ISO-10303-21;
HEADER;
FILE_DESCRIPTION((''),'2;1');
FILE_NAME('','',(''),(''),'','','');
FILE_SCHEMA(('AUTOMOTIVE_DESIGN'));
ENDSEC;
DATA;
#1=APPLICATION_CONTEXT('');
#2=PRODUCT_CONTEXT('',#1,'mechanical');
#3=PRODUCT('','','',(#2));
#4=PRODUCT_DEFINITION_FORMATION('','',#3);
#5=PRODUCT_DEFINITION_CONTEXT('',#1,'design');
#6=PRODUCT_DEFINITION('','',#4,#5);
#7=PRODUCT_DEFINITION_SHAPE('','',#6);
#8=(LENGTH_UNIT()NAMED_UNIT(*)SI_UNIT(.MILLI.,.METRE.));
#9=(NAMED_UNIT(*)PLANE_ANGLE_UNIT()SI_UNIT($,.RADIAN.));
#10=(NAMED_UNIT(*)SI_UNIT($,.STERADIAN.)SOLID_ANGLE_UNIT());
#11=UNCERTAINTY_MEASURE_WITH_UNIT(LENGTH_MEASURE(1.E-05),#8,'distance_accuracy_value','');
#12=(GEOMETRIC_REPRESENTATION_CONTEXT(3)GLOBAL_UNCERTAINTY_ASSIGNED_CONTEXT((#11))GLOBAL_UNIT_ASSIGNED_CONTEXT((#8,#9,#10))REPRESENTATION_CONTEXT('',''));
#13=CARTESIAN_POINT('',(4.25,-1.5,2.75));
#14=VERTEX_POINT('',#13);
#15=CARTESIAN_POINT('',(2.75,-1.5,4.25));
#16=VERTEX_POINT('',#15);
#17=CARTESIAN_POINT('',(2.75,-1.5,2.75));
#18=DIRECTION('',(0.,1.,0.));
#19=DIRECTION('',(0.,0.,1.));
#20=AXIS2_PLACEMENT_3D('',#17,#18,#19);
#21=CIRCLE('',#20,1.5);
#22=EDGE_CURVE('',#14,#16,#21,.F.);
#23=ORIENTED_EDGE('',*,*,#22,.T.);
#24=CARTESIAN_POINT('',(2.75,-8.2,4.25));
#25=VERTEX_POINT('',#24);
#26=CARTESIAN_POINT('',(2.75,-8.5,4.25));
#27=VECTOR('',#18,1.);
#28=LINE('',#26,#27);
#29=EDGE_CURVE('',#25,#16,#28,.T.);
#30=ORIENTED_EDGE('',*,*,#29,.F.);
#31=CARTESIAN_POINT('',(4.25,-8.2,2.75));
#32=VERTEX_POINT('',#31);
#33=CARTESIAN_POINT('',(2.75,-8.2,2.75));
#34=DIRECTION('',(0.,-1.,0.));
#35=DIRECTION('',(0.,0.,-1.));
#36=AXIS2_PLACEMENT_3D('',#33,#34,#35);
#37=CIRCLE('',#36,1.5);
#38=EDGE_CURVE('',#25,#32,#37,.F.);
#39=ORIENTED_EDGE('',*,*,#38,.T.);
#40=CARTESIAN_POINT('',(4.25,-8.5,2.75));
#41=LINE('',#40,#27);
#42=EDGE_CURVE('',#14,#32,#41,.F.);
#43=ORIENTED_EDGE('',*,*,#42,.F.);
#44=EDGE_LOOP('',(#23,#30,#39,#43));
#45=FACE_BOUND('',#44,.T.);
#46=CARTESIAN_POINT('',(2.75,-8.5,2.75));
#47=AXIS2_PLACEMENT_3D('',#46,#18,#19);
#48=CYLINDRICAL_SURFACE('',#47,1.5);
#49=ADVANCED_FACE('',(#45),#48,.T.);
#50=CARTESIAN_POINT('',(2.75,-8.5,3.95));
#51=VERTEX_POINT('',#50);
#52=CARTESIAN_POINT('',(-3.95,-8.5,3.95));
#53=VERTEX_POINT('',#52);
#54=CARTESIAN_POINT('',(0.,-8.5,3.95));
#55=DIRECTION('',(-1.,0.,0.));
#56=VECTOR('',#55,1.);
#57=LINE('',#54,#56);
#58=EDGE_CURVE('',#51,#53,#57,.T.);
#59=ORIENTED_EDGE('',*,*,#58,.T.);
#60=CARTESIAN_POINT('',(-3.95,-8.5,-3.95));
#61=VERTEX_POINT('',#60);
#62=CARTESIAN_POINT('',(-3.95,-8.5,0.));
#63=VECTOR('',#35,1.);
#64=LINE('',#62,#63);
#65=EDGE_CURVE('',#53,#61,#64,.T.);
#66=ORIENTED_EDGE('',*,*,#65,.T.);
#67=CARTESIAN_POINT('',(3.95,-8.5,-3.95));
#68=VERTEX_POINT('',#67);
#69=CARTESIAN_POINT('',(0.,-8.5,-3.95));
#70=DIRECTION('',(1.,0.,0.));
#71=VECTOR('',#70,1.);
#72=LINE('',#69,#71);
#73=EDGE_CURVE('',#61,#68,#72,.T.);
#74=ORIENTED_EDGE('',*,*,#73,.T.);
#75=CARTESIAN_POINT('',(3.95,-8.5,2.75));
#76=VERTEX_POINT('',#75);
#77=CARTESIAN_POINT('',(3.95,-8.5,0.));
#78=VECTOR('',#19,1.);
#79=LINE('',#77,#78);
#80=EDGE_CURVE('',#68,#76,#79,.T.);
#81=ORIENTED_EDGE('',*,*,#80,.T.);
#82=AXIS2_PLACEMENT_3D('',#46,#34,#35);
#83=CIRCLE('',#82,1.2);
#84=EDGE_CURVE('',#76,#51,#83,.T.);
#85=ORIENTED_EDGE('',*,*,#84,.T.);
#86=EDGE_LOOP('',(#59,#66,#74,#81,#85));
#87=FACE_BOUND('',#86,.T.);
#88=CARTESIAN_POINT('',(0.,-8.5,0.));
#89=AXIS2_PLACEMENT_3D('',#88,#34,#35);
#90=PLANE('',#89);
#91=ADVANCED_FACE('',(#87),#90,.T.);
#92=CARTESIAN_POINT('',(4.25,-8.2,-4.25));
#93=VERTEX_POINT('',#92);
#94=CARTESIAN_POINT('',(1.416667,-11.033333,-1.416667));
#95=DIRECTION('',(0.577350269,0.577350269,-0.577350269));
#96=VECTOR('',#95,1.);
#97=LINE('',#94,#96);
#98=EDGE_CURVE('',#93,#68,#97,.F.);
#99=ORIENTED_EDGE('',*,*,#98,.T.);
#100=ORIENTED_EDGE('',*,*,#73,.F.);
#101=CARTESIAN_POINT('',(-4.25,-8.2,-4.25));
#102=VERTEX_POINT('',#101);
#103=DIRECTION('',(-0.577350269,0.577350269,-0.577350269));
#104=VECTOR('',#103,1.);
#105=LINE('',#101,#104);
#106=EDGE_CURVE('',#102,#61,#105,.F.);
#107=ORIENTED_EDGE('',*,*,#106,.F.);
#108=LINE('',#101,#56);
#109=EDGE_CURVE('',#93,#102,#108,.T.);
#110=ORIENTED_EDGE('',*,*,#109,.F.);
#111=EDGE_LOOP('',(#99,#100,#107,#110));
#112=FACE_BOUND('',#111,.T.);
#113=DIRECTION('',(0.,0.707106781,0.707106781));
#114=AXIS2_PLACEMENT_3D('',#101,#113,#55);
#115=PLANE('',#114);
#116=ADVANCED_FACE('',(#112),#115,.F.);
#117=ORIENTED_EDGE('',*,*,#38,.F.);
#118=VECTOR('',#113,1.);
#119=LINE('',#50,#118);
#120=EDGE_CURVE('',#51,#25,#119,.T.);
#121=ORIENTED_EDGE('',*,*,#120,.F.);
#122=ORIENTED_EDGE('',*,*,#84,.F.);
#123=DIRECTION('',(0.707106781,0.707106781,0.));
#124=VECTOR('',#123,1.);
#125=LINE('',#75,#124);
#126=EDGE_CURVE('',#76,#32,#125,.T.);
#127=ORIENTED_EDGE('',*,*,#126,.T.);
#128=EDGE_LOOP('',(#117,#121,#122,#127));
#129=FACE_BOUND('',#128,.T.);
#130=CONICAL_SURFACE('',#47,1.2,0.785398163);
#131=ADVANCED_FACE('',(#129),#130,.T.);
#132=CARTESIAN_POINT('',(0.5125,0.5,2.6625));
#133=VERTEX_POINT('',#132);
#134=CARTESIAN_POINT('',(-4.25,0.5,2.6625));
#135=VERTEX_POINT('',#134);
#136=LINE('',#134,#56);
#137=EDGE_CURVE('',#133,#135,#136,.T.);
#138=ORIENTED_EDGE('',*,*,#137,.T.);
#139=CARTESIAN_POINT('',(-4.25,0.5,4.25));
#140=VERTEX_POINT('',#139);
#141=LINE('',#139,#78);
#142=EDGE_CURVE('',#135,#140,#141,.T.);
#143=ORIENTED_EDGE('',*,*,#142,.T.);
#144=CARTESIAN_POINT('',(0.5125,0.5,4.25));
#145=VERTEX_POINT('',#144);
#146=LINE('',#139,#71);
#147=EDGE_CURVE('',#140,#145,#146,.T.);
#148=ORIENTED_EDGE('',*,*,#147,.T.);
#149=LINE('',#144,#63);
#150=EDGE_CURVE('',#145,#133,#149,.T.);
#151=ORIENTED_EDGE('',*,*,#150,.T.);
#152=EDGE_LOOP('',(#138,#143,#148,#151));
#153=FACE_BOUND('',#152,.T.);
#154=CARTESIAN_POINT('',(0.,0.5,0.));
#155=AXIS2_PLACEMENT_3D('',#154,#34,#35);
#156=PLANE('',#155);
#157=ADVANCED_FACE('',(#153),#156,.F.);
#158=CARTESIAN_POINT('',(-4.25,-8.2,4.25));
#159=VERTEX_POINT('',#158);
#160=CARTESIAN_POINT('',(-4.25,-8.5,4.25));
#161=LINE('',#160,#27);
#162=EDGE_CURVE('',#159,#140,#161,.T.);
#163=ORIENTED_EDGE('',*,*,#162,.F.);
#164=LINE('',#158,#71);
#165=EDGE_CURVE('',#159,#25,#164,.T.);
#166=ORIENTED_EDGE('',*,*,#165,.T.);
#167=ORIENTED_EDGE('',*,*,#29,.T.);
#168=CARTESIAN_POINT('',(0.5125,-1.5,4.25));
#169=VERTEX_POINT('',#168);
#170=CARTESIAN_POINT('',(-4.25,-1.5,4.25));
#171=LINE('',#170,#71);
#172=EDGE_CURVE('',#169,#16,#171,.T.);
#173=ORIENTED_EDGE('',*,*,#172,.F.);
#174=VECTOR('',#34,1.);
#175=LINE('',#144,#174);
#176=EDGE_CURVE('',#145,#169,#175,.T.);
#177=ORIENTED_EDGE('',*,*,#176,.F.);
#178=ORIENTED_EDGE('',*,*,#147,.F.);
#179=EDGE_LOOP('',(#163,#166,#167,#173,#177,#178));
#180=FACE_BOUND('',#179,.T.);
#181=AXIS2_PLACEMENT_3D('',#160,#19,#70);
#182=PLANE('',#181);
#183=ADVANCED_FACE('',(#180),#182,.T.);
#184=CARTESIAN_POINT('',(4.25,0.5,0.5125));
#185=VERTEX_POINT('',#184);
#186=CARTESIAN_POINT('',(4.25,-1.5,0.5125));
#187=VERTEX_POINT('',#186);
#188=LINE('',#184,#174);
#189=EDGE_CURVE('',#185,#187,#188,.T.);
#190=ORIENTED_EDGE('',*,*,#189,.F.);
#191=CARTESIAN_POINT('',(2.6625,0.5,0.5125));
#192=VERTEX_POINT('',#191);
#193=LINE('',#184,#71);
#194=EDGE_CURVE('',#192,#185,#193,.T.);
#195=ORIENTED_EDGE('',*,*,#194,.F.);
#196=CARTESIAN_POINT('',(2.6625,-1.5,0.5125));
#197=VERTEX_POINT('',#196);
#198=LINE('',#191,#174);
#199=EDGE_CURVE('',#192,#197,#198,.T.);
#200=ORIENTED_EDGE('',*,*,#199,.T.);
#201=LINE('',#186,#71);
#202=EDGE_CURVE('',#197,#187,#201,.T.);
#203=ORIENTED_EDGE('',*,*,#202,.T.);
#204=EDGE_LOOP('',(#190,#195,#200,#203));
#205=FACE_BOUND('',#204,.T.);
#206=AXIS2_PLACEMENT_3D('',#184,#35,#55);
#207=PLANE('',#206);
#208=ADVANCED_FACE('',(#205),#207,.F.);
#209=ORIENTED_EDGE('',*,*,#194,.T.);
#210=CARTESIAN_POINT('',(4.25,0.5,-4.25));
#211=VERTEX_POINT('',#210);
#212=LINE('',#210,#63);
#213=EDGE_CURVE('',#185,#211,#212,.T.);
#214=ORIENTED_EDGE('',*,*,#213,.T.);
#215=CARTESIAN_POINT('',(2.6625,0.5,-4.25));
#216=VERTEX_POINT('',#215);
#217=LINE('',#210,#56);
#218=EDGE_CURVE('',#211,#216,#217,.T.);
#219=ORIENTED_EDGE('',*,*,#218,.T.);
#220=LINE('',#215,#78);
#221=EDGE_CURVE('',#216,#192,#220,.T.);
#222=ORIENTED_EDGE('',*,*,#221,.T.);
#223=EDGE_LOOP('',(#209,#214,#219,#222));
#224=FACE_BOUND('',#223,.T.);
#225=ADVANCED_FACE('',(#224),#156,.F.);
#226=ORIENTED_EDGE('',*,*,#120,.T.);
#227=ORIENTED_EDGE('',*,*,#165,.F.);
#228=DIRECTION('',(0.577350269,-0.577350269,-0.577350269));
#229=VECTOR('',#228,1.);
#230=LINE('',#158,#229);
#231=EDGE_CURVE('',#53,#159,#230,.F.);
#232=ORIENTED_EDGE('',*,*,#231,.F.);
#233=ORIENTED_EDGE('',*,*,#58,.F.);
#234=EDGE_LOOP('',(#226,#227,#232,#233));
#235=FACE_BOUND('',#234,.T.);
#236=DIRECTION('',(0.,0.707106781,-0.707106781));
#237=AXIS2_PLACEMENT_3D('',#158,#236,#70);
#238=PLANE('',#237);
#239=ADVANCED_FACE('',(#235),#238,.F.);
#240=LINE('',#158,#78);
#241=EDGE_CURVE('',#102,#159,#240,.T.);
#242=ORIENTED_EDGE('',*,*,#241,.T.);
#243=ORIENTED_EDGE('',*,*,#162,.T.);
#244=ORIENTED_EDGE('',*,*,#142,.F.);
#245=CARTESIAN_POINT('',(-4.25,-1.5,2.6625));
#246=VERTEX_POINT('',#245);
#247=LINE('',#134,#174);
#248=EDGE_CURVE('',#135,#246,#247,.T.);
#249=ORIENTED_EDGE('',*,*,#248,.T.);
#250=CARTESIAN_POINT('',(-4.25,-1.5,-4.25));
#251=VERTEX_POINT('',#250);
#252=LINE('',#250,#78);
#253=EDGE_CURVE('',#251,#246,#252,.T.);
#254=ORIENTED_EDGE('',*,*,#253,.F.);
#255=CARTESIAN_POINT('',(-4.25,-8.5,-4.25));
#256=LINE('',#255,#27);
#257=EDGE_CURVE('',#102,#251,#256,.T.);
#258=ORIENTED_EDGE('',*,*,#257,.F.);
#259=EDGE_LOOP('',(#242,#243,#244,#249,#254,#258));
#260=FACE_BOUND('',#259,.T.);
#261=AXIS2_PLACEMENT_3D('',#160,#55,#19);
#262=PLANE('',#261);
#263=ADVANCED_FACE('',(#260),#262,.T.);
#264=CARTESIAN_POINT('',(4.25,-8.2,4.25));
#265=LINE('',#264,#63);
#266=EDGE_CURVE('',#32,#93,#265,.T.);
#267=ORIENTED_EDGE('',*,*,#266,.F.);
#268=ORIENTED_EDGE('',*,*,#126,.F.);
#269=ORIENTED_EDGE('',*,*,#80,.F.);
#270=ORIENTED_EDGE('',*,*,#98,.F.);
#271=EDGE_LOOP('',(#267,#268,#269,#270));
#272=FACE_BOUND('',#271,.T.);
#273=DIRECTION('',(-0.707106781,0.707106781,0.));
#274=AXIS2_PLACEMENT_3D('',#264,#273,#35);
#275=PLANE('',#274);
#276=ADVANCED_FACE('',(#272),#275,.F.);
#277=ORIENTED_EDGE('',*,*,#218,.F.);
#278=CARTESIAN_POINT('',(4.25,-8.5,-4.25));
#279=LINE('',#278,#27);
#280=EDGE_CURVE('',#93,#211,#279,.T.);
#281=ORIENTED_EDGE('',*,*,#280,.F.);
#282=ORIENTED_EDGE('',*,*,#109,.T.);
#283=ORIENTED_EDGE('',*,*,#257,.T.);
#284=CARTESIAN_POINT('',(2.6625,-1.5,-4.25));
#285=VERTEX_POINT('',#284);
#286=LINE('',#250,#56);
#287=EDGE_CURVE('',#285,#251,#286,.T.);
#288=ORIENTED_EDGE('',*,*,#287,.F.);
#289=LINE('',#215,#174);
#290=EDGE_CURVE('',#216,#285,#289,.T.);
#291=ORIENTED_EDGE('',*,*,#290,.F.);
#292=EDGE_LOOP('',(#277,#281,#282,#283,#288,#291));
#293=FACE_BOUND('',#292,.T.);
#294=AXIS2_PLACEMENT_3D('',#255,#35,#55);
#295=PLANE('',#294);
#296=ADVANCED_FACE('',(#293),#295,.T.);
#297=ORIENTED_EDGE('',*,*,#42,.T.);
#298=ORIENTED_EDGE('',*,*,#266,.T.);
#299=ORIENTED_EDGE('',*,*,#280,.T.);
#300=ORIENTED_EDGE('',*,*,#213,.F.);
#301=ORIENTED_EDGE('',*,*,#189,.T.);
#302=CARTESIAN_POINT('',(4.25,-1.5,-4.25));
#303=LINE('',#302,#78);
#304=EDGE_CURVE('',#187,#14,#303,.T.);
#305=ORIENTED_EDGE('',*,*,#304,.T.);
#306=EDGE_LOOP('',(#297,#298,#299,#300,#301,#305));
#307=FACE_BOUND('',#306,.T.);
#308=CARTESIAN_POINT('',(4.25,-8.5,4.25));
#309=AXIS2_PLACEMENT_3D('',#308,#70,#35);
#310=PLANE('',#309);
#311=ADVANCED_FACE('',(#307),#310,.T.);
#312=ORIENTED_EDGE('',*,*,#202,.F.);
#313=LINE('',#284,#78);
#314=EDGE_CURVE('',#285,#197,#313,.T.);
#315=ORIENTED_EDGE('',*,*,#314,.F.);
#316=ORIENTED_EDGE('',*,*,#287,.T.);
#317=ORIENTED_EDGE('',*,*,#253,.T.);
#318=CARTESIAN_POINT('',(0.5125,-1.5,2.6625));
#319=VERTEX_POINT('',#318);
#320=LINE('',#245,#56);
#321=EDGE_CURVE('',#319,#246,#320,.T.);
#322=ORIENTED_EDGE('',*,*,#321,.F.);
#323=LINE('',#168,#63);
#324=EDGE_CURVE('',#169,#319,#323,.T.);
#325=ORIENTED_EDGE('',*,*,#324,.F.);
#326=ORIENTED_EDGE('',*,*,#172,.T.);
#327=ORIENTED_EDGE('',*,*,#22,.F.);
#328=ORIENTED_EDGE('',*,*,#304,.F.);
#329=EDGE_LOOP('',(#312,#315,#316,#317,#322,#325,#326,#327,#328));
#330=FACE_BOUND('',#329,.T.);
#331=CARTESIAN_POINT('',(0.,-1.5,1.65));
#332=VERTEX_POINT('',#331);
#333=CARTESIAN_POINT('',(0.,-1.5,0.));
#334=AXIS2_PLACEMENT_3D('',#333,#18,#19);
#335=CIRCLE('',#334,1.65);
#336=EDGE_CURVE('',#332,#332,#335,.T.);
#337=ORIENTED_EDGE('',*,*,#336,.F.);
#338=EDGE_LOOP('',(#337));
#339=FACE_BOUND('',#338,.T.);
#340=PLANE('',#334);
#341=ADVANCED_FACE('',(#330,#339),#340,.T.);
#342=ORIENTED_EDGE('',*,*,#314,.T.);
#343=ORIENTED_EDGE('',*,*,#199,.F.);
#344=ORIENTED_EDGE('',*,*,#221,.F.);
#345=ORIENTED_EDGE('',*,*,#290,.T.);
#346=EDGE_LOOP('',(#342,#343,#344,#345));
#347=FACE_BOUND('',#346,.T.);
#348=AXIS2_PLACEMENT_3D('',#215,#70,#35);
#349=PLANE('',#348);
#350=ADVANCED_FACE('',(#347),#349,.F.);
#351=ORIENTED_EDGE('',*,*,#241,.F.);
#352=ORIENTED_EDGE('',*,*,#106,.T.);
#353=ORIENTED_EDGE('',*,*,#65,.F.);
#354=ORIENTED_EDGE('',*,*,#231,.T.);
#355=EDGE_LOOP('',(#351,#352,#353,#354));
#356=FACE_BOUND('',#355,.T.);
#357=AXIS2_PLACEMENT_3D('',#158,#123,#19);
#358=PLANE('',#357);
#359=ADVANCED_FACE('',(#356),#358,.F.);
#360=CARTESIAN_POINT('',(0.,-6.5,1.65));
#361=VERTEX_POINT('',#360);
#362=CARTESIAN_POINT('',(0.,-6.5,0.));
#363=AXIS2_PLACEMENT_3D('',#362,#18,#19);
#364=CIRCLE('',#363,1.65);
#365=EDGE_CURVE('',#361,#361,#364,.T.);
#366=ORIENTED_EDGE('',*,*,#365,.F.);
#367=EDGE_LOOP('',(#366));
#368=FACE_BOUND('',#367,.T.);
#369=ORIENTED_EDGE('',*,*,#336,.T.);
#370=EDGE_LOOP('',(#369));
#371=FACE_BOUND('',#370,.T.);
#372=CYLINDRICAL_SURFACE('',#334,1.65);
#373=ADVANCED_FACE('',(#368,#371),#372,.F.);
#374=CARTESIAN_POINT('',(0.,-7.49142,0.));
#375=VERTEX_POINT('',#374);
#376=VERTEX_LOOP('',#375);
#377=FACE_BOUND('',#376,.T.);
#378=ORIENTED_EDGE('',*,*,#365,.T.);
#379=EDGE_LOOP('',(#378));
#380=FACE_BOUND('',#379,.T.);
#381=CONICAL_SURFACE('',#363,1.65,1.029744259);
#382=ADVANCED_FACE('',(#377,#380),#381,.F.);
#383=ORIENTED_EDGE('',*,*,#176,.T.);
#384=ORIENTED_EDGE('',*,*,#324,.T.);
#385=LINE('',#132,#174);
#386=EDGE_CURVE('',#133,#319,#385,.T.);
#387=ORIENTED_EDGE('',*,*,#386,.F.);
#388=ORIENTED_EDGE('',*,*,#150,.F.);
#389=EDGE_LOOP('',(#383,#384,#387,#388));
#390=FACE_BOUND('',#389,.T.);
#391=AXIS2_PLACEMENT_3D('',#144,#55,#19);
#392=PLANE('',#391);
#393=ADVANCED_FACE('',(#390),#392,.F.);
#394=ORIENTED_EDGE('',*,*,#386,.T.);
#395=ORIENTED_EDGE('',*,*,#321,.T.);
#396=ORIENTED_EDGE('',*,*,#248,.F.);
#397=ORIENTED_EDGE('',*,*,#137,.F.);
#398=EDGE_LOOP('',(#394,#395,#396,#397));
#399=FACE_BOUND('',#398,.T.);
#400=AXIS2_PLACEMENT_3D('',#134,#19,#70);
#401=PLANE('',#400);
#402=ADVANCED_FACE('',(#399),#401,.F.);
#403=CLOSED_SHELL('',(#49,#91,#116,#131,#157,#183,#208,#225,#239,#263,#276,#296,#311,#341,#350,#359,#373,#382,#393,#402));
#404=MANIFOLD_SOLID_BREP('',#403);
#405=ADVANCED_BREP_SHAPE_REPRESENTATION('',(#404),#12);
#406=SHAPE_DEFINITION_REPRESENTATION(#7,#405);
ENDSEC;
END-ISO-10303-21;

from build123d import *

# Parameters (mm, degrees)
BASE_W                = 8.5
BASE_H                = 8.5
BOSS_EXTRUDE1_DEPTH   = 8.5
CUTOUT_W              = 7
CUTOUT_H              = 7
CUT_EXTRUDE1_DEPTH    = 1.5
SKETCH3_W             = 1.5
SKETCH3_H             = 1.5
CUT_EXTRUDE2_DEPTH    = 12.803071634
FILLET3_R             = 0.508
FILLET4_R             = 1.5
M4_TAPPED_HOLE1_D     = 3.3
M4_TAPPED_HOLE1_DEPTH = 5
M4_TAPPED_HOLE1_TIP   = 0.991420021
CUT_EXTRUDE3_START    = -1.5
CUT_EXTRUDE3_DEPTH    = 1.5
CHAMFER1_SIZE         = 0.3
SKETCH15_W            = 1.5875
SKETCH15_H            = 4.7625
SKETCH15_W_2          = 4.7625
SKETCH15_H_2          = 1.5875
BOSS_EXTRUDE2_DEPTH   = 2


with BuildPart() as part:
    # Base → Boss-Extrude1 (new body)
    with BuildSketch(Plane(origin=(0, 0, 0), x_dir=(1, 0, 0), z_dir=(0, 1, 0))):
        Rectangle(BASE_W, BASE_H)
    extrude(amount=-BOSS_EXTRUDE1_DEPTH)

    # Cutout → Cut-Extrude1 (cut)
    with BuildSketch(Plane(origin=(0, 0, 0), x_dir=(1, 0, 0), z_dir=(0, 1, 0))):
        with Locations((-0.75, 0.75)):
            Rectangle(CUTOUT_W, CUTOUT_H)
    extrude(amount=-CUT_EXTRUDE1_DEPTH, mode=Mode.SUBTRACT)

    # Sketch3 → Cut-Extrude2 (cut, through all)
    with BuildSketch(Plane.ZY.offset(-2.75)):
        with Locations((-3.5, -0.75)):
            Rectangle(SKETCH3_W, SKETCH3_H)
    cut_extrude2 = extrude(amount=-CUT_EXTRUDE2_DEPTH, mode=Mode.SUBTRACT)

    # Mirror1: Cut-Extrude2 across plane
    add(cut_extrude2.mirror(Plane(origin=(0, 0, 0), x_dir=(0.7071067811865476, 0, 0.7071067811865475), z_dir=(0.7071067811865475, 0, -0.7071067811865476))), mode=Mode.SUBTRACT)

    # Fillet3
    fillet3_edges = [part.edges().sort_by_distance(p)[0] for p in [
        (2.75, -0.75, 2.75),
    ]]
    fillet(fillet3_edges, radius=FILLET3_R)

    # Fillet4
    fillet4_edges = [part.edges().sort_by_distance(p)[0] for p in [
        (4.25, -4.25, 4.25),
    ]]
    fillet(fillet4_edges, radius=FILLET4_R)

    # M4 Tapped Hole1
    with Locations(Plane(origin=(0, -1.5, 0), x_dir=(1, 0, 0), z_dir=(0, 1, 0))):
        with Locations((0, 0)):
            Hole(M4_TAPPED_HOLE1_D / 2, depth=M4_TAPPED_HOLE1_DEPTH)
            with Locations((0, 0, -(M4_TAPPED_HOLE1_DEPTH + M4_TAPPED_HOLE1_TIP / 2))):  # 118° drill point
                Cone(0, M4_TAPPED_HOLE1_D / 2, M4_TAPPED_HOLE1_TIP, mode=Mode.SUBTRACT)

    # Sketch14 → Cut-Extrude3 (cut)
    with BuildSketch(Plane(origin=(0, 0, 0), x_dir=(1, 0, 0), z_dir=(0, 1, 0)).offset(CUT_EXTRUDE3_START)):
        with BuildLine():
            Line((-2.75, -4.25), (2.75, -4.25))
            ThreePointArc((2.75, -4.25), (3.810660172, -3.810660172), (4.25, -2.75))
            Line((4.25, -2.75), (4.25, 2.75))
            Line((4.25, 2.75), (2.75, 2.75))
            Line((2.75, 2.75), (2.75, -2.242))
            ThreePointArc((2.75, -2.242), (2.601210245, -2.601210245), (2.242, -2.75))
            Line((2.242, -2.75), (-2.75, -2.75))
            Line((-2.75, -2.75), (-2.75, -4.25))
        make_face()
    extrude(amount=CUT_EXTRUDE3_DEPTH, mode=Mode.SUBTRACT)

    # Chamfer1
    chamfer1_edges = [part.edges().sort_by_distance(p)[0] for p in [
        (-4.25, -8.5, 0),
        (-0.75, -8.5, 4.25),
        (4.25, -8.5, -0.75),
        (3.810660172, -8.5, 3.810660172),
        (0, -8.5, -4.25),
    ]]
    chamfer(chamfer1_edges, length=CHAMFER1_SIZE)

    # Sketch15 → Boss-Extrude2 (add)
    with BuildSketch(Plane(origin=(0, -1.5, 0), x_dir=(1, 0, 0), z_dir=(0, 1, 0))):
        with Locations((3.45625, 1.86875)):
            Rectangle(SKETCH15_W, SKETCH15_H)
        with Locations((-1.86875, -3.45625)):
            Rectangle(SKETCH15_W_2, SKETCH15_H_2)
    extrude(amount=BOSS_EXTRUDE2_DEPTH)


solid = part.part
